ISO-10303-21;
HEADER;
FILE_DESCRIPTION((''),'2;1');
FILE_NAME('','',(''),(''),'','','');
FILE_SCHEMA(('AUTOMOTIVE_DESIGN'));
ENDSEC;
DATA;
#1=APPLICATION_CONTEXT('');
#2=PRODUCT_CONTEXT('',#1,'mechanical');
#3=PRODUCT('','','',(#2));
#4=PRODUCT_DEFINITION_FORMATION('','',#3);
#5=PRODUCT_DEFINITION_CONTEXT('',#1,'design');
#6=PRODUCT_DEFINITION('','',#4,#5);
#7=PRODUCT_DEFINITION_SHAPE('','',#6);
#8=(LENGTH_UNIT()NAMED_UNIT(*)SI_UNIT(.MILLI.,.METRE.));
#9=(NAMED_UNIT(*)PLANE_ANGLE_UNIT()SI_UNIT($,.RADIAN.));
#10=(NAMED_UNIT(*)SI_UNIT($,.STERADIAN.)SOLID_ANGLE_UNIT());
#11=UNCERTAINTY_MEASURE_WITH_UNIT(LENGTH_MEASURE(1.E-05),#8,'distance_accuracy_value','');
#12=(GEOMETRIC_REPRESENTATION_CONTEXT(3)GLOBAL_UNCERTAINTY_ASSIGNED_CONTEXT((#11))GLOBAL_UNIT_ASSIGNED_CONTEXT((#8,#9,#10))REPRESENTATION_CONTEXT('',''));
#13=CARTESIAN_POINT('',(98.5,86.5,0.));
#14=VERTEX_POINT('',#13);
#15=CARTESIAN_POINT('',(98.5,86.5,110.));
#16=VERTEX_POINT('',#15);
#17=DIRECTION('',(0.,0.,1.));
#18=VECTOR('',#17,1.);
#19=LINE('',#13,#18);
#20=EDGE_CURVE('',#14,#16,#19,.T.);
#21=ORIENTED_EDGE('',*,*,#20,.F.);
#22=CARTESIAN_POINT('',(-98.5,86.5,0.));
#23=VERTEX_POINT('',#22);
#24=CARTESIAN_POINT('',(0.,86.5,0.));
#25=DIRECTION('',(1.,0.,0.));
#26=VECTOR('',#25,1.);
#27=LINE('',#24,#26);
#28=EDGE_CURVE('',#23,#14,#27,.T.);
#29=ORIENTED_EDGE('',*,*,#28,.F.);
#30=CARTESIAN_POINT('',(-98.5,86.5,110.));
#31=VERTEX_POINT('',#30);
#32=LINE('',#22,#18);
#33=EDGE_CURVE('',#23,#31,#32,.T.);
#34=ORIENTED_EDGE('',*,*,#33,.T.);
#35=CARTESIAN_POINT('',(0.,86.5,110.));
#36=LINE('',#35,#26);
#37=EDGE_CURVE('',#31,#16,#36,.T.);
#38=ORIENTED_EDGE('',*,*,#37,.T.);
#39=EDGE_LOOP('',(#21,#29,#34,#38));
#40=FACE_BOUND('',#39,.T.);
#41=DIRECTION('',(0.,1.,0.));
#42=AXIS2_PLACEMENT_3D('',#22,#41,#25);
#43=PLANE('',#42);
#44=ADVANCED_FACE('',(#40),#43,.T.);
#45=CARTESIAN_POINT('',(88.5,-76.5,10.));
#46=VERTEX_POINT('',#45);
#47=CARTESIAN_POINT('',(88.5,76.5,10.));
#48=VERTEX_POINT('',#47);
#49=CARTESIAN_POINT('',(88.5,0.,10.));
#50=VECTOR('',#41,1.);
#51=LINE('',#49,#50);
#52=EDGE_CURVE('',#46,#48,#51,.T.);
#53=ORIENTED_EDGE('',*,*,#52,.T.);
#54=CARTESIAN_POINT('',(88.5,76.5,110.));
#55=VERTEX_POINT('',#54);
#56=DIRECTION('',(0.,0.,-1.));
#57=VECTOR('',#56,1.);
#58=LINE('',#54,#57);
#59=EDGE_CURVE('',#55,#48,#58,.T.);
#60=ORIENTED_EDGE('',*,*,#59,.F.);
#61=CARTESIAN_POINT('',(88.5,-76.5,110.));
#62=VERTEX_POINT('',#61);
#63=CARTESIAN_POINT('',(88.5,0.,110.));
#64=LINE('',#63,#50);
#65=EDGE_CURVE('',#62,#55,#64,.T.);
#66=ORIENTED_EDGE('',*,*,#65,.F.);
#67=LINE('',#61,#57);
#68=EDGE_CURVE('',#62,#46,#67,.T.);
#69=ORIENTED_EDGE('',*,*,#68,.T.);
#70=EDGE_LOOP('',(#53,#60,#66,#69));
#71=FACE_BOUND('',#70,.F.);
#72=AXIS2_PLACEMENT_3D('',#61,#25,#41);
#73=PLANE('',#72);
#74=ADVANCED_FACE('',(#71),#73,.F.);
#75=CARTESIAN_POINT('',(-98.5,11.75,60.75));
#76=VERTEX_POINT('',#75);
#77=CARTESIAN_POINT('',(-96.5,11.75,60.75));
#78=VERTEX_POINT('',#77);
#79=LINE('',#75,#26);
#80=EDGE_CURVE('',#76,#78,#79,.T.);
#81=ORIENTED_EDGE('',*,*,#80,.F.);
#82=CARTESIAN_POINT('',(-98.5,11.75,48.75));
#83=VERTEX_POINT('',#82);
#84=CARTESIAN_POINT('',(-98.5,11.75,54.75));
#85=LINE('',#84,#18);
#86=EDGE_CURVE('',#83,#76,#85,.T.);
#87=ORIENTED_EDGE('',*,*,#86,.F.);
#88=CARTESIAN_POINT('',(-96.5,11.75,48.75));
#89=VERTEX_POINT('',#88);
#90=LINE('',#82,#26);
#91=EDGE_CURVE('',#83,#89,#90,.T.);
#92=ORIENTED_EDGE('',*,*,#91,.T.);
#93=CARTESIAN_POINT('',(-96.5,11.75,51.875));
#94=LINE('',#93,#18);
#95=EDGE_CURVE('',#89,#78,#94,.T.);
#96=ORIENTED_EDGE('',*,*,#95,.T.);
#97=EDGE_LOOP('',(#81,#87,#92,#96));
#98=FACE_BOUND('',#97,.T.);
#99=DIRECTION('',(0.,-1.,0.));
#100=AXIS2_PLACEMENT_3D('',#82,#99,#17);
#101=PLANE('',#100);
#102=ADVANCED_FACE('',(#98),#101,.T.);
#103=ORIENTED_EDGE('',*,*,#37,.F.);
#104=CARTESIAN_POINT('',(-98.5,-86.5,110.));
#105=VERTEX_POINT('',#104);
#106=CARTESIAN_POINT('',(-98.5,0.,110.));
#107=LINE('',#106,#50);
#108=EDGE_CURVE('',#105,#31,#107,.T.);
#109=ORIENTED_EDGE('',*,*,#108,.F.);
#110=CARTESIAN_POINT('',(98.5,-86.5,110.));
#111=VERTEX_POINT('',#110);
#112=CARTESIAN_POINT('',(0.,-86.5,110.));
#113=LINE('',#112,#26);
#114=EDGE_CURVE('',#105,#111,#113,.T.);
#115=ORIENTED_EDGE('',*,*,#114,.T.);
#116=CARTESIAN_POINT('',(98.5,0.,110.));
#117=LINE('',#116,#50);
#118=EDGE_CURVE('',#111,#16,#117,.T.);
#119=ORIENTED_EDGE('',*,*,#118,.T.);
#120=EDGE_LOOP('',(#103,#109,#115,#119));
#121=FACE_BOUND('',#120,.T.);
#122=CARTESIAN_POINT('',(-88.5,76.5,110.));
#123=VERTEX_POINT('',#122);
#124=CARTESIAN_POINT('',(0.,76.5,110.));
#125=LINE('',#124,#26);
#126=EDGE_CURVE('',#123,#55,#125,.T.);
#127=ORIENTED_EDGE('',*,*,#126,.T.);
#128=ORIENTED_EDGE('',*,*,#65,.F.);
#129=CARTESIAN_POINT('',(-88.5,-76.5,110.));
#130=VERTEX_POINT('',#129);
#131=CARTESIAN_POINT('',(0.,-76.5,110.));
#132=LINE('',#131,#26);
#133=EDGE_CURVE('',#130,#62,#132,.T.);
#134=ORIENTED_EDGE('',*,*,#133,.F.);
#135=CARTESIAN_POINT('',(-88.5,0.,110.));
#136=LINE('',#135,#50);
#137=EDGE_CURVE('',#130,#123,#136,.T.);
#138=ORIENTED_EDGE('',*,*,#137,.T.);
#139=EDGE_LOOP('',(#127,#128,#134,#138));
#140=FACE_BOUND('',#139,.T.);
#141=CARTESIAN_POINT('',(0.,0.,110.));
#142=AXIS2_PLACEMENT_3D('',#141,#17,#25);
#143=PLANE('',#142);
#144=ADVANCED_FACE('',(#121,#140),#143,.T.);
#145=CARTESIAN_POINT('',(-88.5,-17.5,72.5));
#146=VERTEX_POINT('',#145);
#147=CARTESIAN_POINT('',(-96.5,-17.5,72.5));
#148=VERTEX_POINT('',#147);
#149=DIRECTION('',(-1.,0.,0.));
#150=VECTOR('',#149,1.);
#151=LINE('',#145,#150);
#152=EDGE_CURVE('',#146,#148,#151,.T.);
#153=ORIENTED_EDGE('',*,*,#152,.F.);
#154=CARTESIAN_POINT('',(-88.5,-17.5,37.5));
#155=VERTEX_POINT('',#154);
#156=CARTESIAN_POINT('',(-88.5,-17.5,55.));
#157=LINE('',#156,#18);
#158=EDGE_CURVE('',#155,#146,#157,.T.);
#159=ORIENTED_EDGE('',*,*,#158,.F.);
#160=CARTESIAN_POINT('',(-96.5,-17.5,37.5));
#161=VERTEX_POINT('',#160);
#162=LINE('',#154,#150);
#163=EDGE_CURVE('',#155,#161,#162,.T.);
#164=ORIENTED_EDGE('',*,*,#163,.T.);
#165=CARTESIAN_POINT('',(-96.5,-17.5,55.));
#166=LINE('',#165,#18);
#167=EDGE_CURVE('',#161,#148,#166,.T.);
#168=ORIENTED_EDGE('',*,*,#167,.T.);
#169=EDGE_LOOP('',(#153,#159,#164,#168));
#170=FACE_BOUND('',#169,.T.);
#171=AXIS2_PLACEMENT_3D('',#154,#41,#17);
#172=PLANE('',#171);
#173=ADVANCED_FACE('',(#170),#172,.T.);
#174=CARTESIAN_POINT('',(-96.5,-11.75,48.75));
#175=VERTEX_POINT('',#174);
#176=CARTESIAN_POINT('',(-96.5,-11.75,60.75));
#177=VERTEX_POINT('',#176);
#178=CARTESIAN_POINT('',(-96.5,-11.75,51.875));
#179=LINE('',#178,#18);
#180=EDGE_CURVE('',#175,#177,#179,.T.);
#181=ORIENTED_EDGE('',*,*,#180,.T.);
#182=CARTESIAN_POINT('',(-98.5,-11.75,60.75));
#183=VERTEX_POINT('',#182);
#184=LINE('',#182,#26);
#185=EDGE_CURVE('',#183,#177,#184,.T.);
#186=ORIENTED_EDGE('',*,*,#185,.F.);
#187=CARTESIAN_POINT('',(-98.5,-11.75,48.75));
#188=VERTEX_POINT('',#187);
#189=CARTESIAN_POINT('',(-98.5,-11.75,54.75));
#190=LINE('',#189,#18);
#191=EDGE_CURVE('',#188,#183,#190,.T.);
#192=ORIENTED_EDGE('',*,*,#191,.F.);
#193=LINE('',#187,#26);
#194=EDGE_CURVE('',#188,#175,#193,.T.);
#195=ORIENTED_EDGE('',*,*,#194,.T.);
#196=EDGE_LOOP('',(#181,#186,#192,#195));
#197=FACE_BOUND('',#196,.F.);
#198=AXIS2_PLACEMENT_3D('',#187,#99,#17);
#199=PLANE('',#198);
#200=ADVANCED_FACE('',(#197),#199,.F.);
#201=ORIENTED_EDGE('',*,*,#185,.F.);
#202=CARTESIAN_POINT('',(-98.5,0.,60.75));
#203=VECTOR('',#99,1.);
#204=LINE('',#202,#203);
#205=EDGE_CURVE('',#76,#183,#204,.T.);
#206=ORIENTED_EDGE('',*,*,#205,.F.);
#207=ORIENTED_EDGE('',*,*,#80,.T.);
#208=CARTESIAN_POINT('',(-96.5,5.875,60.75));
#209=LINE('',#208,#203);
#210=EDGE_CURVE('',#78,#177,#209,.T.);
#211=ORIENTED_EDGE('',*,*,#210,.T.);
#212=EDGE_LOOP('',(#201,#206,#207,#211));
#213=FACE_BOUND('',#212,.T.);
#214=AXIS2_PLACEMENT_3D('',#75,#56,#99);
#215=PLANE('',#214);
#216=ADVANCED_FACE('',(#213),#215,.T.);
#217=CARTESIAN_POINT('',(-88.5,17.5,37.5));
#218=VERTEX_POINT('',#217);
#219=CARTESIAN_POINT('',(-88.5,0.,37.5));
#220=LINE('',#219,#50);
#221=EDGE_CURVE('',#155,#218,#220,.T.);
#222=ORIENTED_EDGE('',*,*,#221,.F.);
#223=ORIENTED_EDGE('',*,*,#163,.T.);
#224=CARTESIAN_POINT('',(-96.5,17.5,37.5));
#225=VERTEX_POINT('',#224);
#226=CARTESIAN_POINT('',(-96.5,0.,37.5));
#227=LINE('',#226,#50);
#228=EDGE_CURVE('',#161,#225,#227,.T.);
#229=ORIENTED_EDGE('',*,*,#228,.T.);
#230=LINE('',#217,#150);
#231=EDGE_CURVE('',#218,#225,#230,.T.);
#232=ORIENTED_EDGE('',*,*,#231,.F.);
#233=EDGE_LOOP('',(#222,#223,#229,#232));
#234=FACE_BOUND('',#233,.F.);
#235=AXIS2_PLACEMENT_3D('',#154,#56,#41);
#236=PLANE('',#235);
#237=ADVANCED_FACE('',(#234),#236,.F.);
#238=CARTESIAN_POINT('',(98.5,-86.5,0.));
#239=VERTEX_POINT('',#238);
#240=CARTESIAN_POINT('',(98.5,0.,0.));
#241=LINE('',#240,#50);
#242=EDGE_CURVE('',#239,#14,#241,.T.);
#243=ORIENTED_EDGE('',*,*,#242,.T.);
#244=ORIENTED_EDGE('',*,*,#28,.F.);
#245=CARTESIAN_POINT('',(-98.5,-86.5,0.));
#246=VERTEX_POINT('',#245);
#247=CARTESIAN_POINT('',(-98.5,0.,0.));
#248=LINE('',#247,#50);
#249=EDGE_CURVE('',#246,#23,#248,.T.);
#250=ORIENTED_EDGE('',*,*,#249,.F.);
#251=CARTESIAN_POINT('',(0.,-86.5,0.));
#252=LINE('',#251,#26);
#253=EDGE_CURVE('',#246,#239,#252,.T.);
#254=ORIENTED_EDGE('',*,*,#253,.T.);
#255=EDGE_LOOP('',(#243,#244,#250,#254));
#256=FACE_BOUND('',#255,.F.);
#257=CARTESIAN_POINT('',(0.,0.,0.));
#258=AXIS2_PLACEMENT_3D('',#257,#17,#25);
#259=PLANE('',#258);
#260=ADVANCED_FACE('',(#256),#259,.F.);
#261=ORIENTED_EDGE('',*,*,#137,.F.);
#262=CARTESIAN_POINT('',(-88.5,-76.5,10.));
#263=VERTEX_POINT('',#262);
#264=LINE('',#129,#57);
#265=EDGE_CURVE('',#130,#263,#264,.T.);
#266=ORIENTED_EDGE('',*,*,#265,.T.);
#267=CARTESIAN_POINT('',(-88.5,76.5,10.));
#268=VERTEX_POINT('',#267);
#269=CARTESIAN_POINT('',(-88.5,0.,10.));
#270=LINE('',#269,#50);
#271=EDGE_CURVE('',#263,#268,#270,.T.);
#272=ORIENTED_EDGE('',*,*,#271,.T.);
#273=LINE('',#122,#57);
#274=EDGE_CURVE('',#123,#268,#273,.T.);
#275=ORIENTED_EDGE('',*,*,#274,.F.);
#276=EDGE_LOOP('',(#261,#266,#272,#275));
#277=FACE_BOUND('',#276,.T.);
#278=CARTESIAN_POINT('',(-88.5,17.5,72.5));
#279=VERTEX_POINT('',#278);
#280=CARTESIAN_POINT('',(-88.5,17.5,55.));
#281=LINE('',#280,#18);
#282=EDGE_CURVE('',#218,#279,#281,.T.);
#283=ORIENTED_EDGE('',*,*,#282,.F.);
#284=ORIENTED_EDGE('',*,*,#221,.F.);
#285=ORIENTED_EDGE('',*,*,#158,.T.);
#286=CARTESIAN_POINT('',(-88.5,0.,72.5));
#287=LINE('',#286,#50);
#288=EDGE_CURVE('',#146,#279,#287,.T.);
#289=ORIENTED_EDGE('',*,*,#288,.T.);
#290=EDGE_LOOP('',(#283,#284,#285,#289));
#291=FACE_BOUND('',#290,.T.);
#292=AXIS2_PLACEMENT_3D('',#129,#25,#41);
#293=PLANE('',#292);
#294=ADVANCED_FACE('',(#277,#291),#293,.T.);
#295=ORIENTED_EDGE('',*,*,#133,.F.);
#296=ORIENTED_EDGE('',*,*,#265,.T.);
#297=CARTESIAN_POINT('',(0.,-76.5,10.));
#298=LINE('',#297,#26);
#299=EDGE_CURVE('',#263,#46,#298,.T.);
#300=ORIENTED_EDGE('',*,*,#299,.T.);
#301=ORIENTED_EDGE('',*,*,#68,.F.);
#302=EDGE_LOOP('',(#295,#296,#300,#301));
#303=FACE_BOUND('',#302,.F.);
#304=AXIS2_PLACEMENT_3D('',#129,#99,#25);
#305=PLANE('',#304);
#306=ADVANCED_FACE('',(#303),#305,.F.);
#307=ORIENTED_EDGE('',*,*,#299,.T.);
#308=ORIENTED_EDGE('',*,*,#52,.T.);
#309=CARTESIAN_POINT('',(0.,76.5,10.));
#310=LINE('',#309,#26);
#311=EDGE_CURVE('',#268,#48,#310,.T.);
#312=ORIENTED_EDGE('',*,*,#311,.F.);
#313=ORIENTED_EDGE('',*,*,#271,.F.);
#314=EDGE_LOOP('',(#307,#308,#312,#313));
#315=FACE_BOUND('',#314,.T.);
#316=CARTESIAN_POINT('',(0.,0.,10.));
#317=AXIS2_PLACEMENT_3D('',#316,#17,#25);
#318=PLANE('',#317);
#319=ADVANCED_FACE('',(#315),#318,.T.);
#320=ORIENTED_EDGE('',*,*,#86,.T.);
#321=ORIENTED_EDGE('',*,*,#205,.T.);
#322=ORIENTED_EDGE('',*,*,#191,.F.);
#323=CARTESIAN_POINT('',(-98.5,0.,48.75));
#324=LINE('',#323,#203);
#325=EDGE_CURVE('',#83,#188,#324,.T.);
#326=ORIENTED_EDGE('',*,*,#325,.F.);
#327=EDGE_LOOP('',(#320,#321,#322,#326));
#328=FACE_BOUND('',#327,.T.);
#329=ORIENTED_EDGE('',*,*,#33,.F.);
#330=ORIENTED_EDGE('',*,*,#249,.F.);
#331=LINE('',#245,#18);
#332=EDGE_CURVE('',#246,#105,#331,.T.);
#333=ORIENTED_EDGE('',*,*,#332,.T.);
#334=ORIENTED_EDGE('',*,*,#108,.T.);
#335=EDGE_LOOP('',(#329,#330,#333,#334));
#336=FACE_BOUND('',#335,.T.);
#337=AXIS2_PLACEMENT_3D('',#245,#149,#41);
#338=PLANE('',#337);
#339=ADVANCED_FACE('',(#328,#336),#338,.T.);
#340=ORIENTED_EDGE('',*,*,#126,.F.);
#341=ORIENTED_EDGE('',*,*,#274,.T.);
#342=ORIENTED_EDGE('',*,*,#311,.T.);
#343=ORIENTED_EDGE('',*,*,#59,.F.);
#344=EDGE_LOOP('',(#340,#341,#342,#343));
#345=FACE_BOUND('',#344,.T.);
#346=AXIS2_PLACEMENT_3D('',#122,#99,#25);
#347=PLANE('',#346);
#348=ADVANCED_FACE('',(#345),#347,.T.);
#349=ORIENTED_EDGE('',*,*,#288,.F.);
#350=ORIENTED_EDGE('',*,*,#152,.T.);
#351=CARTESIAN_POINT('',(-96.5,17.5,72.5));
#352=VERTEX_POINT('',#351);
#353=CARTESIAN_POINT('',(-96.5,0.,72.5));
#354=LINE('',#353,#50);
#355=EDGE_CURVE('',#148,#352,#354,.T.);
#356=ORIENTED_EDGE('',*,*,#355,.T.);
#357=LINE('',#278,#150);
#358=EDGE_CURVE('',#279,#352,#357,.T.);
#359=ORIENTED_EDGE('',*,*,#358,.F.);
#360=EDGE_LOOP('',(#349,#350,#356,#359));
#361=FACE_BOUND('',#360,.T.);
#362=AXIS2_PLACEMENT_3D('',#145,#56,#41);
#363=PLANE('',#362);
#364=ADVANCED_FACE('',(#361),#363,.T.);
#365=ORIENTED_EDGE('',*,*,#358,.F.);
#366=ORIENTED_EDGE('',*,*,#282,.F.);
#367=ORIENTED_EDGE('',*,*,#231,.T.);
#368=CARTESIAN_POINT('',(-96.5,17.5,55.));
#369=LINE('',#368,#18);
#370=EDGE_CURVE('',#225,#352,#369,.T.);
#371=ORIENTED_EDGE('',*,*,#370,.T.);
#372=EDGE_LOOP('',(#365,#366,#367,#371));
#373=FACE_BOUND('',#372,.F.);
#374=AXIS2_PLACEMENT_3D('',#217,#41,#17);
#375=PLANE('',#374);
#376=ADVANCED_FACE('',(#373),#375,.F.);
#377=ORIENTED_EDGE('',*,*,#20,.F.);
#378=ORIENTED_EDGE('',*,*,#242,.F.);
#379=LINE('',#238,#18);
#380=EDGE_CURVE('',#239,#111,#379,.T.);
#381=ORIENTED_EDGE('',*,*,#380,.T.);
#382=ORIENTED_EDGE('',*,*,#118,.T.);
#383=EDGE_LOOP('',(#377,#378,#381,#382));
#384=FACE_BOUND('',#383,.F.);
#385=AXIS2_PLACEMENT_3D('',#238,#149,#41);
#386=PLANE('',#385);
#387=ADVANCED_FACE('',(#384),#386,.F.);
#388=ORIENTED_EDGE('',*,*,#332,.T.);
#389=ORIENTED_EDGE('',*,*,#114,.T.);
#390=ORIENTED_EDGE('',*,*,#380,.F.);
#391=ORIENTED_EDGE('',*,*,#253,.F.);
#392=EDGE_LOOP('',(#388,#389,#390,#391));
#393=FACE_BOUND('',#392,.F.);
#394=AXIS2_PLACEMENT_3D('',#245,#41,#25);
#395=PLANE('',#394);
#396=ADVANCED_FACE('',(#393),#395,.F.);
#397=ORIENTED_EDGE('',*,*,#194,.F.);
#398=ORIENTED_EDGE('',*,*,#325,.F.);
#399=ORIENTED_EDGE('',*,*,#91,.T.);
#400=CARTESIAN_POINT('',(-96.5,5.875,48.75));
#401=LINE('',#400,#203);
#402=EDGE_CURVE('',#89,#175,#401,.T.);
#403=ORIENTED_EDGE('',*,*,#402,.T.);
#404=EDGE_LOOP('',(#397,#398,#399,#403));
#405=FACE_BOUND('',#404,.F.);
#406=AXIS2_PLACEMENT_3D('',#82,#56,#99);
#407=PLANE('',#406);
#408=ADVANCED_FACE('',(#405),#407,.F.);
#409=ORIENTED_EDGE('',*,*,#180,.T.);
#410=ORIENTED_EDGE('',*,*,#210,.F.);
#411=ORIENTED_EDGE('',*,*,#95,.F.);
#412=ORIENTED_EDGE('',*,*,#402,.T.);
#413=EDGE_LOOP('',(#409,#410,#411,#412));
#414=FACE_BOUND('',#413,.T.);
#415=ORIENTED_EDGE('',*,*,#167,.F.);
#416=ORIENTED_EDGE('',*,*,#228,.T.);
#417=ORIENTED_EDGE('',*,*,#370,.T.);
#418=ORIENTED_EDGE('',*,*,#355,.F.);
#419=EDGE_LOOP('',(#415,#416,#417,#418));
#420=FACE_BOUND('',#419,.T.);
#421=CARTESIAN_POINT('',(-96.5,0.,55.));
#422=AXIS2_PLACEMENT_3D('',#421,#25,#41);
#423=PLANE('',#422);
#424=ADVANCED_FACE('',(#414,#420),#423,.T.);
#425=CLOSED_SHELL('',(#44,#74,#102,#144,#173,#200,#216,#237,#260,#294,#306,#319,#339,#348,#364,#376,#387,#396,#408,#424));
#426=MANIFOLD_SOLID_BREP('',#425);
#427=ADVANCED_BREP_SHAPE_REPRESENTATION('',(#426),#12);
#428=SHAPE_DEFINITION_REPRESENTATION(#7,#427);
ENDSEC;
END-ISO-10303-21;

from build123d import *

# Parameters (mm, degrees)
SKETCH001_W     = 197
SKETCH001_H     = 173
PAD_DEPTH       = 110
SKETCH_W        = 177
SKETCH_H        = 153
POCKET_DEPTH    = 100
SKETCH002_W     = 23.5
SKETCH002_H     = 12
POCKET001_DEPTH = 20
SKETCH003_W     = 35
SKETCH003_H     = 35
POCKET002_DEPTH = 8


with BuildPart() as part:
    # Sketch001 → Pad (new body)
    with BuildSketch(Plane.XY):
        Rectangle(SKETCH001_W, SKETCH001_H)
    extrude(amount=PAD_DEPTH)

    # Sketch (on Face6 of Pad) → Pocket (cut)
    with BuildSketch(Plane.XY.offset(110)):
        Rectangle(SKETCH_W, SKETCH_H)
    extrude(amount=-POCKET_DEPTH, mode=Mode.SUBTRACT)

    # Sketch002 (on Face2 of Pocket) → Pocket001 (cut)
    with BuildSketch(Plane(origin=(-98.5, 0, 0), x_dir=(0, -1, 0), z_dir=(-1, 0, 0))):
        with Locations((0, 54.75)):
            Rectangle(SKETCH002_W, SKETCH002_H)
    extrude(amount=-POCKET001_DEPTH, mode=Mode.SUBTRACT)

    # Sketch003 (on Face11 of Pocket001) → Pocket002 (cut)
    with BuildSketch(Plane.YZ.offset(-88.5)):
        with Locations((0, 55)):
            Rectangle(SKETCH003_W, SKETCH003_H)
    extrude(amount=-POCKET002_DEPTH, mode=Mode.SUBTRACT)


solid = part.part
